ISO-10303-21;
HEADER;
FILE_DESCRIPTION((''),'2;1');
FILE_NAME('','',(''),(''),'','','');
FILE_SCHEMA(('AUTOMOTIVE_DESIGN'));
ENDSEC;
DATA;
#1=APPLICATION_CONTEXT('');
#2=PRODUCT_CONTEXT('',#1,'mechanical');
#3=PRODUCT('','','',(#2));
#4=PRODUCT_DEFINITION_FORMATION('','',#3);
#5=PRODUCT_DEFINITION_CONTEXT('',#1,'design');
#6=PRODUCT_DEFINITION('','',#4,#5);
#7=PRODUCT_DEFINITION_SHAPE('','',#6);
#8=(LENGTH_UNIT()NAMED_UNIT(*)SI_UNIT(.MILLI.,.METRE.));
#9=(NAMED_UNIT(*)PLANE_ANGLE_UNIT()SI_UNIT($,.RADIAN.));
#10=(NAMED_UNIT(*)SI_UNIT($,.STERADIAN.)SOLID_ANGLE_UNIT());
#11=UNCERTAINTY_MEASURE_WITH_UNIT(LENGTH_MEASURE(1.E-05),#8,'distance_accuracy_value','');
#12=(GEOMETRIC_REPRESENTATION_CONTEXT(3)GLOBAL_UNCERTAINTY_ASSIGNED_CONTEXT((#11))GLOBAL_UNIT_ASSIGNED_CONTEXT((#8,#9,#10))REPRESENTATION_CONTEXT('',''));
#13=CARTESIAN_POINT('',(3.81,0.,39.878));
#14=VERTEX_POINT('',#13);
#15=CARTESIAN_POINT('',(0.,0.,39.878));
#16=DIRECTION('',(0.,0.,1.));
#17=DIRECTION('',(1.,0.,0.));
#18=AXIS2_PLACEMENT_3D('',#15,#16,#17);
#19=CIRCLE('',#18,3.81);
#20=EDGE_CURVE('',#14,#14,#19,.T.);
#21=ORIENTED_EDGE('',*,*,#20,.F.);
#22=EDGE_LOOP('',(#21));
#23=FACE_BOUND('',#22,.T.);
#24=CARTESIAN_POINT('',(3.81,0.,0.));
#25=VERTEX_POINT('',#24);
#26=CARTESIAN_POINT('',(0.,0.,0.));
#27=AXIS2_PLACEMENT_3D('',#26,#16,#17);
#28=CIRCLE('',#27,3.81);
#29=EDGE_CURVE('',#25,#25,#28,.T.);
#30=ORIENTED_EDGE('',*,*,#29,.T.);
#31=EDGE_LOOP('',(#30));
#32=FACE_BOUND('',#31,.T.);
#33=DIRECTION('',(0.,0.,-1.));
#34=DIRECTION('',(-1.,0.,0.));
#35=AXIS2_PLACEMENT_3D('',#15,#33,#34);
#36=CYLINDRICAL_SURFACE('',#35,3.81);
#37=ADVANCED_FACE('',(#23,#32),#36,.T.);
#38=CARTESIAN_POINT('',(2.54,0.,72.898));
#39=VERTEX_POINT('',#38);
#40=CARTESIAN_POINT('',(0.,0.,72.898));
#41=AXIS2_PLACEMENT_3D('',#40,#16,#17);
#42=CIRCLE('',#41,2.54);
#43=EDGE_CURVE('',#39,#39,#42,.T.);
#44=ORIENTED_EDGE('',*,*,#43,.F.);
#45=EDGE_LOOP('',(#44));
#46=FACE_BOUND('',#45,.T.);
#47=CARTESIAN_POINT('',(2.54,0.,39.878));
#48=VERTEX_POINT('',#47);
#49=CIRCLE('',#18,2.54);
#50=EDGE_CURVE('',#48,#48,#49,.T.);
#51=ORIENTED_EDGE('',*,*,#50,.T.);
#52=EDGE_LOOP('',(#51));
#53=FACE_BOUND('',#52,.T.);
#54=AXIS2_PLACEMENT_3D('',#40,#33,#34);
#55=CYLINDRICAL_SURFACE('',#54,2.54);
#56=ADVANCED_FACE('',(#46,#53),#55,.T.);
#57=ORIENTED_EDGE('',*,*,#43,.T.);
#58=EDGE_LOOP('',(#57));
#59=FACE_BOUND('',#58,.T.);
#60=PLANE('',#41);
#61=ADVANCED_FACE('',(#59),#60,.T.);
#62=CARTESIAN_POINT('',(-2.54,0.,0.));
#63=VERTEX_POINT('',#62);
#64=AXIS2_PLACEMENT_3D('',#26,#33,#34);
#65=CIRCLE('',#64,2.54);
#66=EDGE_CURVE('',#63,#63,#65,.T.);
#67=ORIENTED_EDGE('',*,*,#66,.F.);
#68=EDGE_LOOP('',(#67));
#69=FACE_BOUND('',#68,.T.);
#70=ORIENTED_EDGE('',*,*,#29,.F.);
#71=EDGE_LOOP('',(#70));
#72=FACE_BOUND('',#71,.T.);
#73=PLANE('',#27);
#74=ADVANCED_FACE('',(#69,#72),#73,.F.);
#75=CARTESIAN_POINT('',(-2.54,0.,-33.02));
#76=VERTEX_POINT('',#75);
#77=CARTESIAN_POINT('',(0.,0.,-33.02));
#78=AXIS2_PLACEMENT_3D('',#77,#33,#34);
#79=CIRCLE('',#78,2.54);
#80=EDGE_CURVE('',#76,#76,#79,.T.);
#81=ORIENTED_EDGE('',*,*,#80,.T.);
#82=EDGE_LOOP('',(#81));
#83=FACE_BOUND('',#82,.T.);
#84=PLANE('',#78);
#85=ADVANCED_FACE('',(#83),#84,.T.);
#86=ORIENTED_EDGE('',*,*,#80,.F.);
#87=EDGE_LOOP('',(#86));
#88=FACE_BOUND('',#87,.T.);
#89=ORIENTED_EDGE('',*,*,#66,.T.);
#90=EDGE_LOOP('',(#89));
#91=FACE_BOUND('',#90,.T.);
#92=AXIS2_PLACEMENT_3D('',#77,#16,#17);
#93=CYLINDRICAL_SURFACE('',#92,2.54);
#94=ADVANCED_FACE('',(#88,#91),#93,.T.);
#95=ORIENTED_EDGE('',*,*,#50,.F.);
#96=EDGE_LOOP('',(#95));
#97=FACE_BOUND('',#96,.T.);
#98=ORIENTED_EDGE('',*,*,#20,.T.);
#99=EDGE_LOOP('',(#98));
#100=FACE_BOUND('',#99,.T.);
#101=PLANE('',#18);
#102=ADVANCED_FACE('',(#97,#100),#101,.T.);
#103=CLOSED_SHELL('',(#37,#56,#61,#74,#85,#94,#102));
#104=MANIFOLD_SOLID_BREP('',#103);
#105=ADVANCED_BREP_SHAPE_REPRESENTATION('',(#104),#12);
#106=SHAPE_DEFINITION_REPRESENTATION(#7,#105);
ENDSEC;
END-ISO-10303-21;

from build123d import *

# Parameters (mm, degrees)
SKETCH1_R           = 3.81
BOSS_EXTRUDE1_DEPTH = 39.878
SKETCH2_R           = 2.54
BOSS_EXTRUDE2_DEPTH = 33.02
SKETCH3_R           = 2.54
BOSS_EXTRUDE3_DEPTH = 33.02


with BuildPart() as part:
    # Sketch1 → Boss-Extrude1 (new body)
    with BuildSketch(Plane.XY):
        Circle(SKETCH1_R)
    extrude(amount=BOSS_EXTRUDE1_DEPTH)

    # Sketch2 → Boss-Extrude2 (add)
    with BuildSketch(Plane.XY.offset(39.878)):
        Circle(SKETCH2_R)
    extrude(amount=BOSS_EXTRUDE2_DEPTH)

    # Sketch3 → Boss-Extrude3 (add)
    with BuildSketch(Plane(origin=(0, 0, 0), x_dir=(-1, 0, 0), z_dir=(0, 0, -1))):
        Circle(SKETCH3_R)
    extrude(amount=BOSS_EXTRUDE3_DEPTH)


solid = part.part
